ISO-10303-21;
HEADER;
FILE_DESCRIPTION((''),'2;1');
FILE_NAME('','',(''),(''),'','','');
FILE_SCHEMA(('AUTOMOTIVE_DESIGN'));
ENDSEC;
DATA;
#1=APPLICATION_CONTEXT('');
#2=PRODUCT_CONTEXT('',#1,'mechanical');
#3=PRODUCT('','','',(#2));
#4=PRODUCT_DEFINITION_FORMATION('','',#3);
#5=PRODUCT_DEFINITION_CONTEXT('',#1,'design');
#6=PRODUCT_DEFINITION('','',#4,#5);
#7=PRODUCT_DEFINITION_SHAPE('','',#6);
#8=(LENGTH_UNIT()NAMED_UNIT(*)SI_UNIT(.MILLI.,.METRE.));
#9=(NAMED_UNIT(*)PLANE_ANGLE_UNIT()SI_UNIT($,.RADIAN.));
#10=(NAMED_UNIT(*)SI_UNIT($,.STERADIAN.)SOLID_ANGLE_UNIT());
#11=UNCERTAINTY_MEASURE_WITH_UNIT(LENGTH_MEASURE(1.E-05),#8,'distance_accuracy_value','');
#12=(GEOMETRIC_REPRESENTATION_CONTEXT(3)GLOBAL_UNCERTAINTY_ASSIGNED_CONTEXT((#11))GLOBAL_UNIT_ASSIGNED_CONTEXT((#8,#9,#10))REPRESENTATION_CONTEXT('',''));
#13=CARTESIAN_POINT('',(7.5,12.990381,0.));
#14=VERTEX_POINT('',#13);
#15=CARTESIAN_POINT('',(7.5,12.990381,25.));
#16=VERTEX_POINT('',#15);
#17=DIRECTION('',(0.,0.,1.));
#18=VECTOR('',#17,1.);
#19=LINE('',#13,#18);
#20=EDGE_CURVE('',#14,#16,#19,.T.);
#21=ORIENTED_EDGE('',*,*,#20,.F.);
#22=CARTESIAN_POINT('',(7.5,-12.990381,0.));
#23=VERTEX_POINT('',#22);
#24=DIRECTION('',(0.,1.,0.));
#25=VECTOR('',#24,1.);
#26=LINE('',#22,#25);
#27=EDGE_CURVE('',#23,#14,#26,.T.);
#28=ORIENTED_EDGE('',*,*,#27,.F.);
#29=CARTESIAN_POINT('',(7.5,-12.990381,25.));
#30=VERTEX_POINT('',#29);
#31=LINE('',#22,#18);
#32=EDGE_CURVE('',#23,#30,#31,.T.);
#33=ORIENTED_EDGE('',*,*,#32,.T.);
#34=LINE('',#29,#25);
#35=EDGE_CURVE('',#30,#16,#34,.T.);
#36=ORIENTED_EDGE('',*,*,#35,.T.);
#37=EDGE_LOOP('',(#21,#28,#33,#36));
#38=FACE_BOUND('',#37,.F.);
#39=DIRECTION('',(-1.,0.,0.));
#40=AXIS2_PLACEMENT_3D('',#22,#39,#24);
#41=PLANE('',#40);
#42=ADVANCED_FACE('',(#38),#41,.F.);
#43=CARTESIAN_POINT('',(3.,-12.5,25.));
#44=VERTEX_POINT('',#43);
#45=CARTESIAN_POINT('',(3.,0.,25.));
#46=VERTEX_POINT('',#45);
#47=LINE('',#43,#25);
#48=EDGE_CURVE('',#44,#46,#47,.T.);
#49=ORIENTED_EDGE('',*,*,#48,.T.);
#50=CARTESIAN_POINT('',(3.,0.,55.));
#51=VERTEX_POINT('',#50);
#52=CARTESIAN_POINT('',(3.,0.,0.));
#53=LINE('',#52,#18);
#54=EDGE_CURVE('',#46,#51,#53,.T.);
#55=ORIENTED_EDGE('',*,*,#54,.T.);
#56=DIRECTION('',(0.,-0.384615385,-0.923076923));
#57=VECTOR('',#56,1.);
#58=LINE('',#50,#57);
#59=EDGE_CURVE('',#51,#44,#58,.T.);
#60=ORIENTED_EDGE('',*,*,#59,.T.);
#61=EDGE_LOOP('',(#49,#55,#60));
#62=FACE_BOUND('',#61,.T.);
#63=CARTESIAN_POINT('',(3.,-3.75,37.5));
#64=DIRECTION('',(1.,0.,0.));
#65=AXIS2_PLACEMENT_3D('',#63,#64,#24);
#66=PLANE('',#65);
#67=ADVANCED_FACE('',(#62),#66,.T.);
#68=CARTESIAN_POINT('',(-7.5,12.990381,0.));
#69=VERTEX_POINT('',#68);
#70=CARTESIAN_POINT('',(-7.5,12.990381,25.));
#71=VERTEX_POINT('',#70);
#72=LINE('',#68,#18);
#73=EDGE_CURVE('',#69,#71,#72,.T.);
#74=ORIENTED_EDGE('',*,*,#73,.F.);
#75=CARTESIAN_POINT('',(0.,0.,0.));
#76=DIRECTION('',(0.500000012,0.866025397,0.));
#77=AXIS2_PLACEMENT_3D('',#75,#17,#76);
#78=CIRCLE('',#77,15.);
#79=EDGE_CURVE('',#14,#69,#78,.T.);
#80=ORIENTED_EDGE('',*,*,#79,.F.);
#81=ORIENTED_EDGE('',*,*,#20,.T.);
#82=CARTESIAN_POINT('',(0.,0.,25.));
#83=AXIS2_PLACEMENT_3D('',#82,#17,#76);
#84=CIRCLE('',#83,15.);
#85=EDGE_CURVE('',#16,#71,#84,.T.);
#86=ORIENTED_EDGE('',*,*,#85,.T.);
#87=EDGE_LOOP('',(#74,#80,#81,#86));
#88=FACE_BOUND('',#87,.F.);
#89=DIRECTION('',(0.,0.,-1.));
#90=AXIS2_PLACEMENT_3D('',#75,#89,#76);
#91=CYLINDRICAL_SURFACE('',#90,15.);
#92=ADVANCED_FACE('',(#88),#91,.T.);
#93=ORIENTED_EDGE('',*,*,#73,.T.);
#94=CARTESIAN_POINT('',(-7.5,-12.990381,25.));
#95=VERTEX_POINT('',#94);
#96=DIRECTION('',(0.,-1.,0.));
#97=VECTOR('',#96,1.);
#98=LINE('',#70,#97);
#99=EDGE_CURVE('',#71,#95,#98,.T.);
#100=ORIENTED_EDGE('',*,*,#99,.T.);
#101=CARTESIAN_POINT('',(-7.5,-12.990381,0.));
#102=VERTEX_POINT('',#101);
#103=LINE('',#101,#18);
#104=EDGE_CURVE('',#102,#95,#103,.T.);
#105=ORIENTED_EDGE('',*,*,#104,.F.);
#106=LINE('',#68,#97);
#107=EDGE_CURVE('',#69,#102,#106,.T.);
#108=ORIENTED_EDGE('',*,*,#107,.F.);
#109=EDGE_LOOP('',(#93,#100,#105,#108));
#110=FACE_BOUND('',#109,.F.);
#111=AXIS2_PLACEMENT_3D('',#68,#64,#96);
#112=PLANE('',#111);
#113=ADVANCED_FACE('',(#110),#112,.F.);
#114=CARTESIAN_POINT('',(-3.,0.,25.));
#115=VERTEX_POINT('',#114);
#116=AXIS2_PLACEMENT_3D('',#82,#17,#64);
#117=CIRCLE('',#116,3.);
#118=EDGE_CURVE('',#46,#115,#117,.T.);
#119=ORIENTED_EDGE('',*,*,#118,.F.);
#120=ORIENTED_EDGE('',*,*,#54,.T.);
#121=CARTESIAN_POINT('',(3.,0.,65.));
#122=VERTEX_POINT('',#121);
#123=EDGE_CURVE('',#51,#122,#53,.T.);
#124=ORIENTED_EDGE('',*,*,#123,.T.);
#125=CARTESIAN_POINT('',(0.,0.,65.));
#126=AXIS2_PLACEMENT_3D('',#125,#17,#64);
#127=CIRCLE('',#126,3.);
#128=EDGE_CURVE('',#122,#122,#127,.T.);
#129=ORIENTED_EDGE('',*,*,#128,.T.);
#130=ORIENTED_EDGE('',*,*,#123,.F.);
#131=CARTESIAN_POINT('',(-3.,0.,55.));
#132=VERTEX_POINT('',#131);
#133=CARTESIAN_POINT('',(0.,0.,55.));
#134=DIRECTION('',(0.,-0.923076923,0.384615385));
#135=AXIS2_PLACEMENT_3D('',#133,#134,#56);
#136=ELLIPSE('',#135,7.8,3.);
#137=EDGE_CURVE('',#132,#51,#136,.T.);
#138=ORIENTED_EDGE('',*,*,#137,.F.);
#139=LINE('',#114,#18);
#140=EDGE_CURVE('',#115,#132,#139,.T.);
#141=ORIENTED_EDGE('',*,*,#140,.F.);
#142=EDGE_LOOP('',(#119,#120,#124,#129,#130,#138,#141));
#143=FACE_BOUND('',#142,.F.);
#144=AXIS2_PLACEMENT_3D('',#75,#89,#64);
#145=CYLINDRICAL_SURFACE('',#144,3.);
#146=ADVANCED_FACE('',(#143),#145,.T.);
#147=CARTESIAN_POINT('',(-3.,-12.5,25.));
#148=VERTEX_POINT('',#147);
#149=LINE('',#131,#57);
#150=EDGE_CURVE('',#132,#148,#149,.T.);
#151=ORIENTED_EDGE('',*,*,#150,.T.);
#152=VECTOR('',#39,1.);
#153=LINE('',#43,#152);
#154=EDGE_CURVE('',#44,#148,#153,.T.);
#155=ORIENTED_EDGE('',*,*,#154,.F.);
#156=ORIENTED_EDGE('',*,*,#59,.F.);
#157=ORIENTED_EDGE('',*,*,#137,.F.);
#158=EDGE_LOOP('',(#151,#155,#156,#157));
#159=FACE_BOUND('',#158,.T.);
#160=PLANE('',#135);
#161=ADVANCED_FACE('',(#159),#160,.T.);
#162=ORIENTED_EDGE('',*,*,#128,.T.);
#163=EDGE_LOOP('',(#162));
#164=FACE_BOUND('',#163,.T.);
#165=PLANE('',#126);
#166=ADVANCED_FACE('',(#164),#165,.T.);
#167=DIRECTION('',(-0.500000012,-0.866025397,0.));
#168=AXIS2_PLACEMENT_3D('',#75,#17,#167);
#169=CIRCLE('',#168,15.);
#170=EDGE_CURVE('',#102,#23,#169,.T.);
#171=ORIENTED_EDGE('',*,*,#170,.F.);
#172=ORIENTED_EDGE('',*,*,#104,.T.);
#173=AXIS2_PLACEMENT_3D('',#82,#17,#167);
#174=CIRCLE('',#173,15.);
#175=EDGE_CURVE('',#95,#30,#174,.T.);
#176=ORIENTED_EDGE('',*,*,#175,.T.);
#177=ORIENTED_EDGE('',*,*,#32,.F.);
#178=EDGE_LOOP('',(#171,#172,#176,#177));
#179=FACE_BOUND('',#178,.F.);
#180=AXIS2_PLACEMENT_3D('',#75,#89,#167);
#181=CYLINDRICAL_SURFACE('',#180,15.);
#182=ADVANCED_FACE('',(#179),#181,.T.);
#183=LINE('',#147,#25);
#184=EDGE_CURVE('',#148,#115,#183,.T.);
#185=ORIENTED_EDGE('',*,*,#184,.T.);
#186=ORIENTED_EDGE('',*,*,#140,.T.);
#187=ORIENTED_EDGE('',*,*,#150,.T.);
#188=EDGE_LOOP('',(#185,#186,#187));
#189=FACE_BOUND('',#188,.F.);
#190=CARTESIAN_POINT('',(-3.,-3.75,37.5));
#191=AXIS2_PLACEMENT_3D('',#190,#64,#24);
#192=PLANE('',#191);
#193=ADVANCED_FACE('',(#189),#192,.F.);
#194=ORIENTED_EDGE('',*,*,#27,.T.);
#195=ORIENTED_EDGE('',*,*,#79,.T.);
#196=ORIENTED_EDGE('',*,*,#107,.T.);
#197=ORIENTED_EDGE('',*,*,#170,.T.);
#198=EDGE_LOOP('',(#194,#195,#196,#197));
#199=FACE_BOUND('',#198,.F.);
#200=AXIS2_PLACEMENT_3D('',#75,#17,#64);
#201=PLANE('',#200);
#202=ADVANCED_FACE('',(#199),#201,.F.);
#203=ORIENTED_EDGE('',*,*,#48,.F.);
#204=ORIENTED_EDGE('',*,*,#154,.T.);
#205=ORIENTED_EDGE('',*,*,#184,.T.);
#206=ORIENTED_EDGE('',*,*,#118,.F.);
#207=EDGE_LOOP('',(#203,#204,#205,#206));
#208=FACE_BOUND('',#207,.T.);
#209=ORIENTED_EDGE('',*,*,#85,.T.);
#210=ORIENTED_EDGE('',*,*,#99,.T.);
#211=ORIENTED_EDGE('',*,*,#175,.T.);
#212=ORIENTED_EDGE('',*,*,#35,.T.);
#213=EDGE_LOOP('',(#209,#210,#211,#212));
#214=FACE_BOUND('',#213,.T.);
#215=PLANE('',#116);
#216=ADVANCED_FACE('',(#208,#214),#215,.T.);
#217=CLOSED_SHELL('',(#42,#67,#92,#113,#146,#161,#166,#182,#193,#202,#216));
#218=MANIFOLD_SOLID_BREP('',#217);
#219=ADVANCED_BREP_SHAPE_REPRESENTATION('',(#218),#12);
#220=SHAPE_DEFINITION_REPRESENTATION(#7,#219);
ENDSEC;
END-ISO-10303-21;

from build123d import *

# Parameters (mm, degrees)
F0_R     = 3
F1_DEPTH = 25
F2_DEPTH = 65
F4_DEPTH = 3


with BuildPart() as f1:
    # F0 (on Top) → F1 (new body)
    with BuildSketch(Plane.XY):
        with BuildLine():
            Line((7.5, -12.990381), (7.5, 12.990381))
            ThreePointArc((7.5, 12.990381), (0, 15), (-7.5, 12.990381))
            Line((-7.5, 12.990381), (-7.5, -12.990381))
            ThreePointArc((-7.5, -12.990381), (0, -15), (7.5, -12.990381))
        make_face()
        Circle(F0_R, mode=Mode.SUBTRACT)
    extrude(amount=F1_DEPTH)

    # F0 (on Top) → F2 (join)
    with BuildSketch(Plane.XY):
        Circle(F0_R)
    extrude(amount=F2_DEPTH)

    # F3 (on Right) → F4 (join, symmetric)
    with BuildSketch(Plane.YZ):
        Polygon((-12.5, 25), (0, 25), (0, 55), align=None)
    extrude(amount=F4_DEPTH, both=True)


solid = f1.part
